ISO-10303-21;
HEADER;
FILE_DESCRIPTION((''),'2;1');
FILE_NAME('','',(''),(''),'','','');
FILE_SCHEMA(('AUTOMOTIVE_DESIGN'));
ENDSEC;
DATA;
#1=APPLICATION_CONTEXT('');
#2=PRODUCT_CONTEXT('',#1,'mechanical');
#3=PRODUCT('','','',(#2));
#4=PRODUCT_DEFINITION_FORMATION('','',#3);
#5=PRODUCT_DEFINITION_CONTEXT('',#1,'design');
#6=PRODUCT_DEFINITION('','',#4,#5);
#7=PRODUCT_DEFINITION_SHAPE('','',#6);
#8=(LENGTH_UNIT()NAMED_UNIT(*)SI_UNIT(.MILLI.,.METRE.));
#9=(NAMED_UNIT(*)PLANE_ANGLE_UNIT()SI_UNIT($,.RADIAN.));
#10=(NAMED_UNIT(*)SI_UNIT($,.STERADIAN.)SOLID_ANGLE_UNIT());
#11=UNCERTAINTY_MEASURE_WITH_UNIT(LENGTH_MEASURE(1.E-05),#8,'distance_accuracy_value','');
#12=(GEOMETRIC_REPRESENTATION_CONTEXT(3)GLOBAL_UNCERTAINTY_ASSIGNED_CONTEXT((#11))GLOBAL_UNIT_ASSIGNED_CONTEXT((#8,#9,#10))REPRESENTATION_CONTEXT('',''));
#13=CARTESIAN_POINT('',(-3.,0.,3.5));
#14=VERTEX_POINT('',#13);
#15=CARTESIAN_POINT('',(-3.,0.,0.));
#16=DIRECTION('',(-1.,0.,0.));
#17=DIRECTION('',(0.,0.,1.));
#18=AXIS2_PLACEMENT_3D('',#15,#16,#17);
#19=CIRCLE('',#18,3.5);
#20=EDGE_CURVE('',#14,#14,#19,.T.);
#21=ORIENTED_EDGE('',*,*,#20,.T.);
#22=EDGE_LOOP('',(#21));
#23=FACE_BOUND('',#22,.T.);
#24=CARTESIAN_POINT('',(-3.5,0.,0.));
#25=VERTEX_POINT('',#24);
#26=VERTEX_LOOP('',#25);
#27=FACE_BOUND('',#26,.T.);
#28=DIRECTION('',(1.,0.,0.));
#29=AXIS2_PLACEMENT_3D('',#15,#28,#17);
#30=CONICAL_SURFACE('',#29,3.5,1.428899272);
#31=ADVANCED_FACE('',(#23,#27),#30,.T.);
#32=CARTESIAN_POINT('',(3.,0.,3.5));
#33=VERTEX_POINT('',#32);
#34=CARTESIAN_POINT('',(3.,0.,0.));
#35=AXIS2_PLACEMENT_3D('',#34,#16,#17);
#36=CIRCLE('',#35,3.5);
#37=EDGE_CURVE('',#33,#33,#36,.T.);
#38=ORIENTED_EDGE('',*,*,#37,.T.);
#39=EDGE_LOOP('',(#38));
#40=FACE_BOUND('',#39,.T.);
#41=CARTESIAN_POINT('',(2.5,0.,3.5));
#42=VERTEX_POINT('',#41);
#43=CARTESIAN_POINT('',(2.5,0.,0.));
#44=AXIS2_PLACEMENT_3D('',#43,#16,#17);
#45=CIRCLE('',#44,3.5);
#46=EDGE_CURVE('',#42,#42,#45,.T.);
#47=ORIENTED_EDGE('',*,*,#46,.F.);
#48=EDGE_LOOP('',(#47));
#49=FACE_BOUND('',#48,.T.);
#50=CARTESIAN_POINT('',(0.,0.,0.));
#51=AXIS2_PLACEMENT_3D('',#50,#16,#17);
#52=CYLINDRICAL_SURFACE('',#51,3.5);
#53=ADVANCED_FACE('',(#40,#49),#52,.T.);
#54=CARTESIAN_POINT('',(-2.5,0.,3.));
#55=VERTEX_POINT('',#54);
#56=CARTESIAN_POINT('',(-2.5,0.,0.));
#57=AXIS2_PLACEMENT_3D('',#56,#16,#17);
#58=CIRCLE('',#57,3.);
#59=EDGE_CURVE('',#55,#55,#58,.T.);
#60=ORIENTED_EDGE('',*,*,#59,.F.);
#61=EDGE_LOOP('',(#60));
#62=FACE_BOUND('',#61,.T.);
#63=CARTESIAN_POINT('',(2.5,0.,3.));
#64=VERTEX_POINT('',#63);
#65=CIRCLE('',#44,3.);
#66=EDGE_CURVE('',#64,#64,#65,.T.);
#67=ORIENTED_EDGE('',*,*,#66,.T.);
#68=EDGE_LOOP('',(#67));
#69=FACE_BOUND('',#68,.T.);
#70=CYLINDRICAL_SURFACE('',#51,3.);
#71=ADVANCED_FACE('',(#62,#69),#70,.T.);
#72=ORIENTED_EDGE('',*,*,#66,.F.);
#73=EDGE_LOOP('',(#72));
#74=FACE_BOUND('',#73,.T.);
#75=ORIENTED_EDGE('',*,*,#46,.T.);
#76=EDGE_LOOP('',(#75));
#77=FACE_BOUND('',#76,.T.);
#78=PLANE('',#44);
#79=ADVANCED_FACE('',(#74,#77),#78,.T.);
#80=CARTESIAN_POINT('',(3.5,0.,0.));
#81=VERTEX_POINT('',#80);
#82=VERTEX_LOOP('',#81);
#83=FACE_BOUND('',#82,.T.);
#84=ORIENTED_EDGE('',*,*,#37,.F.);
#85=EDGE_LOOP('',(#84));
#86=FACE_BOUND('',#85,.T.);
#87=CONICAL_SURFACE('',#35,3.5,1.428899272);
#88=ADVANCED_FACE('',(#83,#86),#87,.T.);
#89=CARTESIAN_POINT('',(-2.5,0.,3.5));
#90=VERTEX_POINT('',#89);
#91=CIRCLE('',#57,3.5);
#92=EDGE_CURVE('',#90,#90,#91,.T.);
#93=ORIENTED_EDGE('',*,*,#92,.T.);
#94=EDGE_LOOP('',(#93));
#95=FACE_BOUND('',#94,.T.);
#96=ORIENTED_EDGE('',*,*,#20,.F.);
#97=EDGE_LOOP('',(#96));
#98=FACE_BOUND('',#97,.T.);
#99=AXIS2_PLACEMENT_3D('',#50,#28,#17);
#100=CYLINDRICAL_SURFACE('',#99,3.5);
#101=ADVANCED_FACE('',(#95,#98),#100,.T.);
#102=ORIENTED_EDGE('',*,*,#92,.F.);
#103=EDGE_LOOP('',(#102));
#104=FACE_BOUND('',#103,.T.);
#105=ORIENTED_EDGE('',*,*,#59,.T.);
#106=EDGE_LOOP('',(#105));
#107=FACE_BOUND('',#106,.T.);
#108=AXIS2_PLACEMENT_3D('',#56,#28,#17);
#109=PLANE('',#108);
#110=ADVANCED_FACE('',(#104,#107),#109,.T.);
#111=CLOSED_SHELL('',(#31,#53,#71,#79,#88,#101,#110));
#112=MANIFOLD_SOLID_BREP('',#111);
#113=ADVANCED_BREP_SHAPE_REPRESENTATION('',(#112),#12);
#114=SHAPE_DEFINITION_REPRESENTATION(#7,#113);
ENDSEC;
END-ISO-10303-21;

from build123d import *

# Parameters (mm, degrees)
SKETCH_1_W = 2.5
SKETCH_1_H = 3


with BuildPart() as part:
    # 草图1 → 旋转1 (revolve)
    with BuildSketch(Plane.XY, mode=Mode.PRIVATE) as revolve_1_sk:
        with Locations((1.25, 1.5)):
            Rectangle(SKETCH_1_W, SKETCH_1_H)
        Polygon((3, 0), (3, 3.5), (2.5, 3.5), (2.5, 3), (2.5, 0), align=None)
        Polygon((3.5, 0), (3, 0), (3, 3.5), align=None)
    revolve_1 = revolve(revolve_1_sk.sketch.rotate(Axis((0, 0, 0), (1, 0, 0)), 90), axis=Axis((0, 0, 0), (1, 0, 0)))

    # 镜向1: 旋转1 across plane
    add(revolve_1.mirror(Plane.ZY))


solid = part.part
